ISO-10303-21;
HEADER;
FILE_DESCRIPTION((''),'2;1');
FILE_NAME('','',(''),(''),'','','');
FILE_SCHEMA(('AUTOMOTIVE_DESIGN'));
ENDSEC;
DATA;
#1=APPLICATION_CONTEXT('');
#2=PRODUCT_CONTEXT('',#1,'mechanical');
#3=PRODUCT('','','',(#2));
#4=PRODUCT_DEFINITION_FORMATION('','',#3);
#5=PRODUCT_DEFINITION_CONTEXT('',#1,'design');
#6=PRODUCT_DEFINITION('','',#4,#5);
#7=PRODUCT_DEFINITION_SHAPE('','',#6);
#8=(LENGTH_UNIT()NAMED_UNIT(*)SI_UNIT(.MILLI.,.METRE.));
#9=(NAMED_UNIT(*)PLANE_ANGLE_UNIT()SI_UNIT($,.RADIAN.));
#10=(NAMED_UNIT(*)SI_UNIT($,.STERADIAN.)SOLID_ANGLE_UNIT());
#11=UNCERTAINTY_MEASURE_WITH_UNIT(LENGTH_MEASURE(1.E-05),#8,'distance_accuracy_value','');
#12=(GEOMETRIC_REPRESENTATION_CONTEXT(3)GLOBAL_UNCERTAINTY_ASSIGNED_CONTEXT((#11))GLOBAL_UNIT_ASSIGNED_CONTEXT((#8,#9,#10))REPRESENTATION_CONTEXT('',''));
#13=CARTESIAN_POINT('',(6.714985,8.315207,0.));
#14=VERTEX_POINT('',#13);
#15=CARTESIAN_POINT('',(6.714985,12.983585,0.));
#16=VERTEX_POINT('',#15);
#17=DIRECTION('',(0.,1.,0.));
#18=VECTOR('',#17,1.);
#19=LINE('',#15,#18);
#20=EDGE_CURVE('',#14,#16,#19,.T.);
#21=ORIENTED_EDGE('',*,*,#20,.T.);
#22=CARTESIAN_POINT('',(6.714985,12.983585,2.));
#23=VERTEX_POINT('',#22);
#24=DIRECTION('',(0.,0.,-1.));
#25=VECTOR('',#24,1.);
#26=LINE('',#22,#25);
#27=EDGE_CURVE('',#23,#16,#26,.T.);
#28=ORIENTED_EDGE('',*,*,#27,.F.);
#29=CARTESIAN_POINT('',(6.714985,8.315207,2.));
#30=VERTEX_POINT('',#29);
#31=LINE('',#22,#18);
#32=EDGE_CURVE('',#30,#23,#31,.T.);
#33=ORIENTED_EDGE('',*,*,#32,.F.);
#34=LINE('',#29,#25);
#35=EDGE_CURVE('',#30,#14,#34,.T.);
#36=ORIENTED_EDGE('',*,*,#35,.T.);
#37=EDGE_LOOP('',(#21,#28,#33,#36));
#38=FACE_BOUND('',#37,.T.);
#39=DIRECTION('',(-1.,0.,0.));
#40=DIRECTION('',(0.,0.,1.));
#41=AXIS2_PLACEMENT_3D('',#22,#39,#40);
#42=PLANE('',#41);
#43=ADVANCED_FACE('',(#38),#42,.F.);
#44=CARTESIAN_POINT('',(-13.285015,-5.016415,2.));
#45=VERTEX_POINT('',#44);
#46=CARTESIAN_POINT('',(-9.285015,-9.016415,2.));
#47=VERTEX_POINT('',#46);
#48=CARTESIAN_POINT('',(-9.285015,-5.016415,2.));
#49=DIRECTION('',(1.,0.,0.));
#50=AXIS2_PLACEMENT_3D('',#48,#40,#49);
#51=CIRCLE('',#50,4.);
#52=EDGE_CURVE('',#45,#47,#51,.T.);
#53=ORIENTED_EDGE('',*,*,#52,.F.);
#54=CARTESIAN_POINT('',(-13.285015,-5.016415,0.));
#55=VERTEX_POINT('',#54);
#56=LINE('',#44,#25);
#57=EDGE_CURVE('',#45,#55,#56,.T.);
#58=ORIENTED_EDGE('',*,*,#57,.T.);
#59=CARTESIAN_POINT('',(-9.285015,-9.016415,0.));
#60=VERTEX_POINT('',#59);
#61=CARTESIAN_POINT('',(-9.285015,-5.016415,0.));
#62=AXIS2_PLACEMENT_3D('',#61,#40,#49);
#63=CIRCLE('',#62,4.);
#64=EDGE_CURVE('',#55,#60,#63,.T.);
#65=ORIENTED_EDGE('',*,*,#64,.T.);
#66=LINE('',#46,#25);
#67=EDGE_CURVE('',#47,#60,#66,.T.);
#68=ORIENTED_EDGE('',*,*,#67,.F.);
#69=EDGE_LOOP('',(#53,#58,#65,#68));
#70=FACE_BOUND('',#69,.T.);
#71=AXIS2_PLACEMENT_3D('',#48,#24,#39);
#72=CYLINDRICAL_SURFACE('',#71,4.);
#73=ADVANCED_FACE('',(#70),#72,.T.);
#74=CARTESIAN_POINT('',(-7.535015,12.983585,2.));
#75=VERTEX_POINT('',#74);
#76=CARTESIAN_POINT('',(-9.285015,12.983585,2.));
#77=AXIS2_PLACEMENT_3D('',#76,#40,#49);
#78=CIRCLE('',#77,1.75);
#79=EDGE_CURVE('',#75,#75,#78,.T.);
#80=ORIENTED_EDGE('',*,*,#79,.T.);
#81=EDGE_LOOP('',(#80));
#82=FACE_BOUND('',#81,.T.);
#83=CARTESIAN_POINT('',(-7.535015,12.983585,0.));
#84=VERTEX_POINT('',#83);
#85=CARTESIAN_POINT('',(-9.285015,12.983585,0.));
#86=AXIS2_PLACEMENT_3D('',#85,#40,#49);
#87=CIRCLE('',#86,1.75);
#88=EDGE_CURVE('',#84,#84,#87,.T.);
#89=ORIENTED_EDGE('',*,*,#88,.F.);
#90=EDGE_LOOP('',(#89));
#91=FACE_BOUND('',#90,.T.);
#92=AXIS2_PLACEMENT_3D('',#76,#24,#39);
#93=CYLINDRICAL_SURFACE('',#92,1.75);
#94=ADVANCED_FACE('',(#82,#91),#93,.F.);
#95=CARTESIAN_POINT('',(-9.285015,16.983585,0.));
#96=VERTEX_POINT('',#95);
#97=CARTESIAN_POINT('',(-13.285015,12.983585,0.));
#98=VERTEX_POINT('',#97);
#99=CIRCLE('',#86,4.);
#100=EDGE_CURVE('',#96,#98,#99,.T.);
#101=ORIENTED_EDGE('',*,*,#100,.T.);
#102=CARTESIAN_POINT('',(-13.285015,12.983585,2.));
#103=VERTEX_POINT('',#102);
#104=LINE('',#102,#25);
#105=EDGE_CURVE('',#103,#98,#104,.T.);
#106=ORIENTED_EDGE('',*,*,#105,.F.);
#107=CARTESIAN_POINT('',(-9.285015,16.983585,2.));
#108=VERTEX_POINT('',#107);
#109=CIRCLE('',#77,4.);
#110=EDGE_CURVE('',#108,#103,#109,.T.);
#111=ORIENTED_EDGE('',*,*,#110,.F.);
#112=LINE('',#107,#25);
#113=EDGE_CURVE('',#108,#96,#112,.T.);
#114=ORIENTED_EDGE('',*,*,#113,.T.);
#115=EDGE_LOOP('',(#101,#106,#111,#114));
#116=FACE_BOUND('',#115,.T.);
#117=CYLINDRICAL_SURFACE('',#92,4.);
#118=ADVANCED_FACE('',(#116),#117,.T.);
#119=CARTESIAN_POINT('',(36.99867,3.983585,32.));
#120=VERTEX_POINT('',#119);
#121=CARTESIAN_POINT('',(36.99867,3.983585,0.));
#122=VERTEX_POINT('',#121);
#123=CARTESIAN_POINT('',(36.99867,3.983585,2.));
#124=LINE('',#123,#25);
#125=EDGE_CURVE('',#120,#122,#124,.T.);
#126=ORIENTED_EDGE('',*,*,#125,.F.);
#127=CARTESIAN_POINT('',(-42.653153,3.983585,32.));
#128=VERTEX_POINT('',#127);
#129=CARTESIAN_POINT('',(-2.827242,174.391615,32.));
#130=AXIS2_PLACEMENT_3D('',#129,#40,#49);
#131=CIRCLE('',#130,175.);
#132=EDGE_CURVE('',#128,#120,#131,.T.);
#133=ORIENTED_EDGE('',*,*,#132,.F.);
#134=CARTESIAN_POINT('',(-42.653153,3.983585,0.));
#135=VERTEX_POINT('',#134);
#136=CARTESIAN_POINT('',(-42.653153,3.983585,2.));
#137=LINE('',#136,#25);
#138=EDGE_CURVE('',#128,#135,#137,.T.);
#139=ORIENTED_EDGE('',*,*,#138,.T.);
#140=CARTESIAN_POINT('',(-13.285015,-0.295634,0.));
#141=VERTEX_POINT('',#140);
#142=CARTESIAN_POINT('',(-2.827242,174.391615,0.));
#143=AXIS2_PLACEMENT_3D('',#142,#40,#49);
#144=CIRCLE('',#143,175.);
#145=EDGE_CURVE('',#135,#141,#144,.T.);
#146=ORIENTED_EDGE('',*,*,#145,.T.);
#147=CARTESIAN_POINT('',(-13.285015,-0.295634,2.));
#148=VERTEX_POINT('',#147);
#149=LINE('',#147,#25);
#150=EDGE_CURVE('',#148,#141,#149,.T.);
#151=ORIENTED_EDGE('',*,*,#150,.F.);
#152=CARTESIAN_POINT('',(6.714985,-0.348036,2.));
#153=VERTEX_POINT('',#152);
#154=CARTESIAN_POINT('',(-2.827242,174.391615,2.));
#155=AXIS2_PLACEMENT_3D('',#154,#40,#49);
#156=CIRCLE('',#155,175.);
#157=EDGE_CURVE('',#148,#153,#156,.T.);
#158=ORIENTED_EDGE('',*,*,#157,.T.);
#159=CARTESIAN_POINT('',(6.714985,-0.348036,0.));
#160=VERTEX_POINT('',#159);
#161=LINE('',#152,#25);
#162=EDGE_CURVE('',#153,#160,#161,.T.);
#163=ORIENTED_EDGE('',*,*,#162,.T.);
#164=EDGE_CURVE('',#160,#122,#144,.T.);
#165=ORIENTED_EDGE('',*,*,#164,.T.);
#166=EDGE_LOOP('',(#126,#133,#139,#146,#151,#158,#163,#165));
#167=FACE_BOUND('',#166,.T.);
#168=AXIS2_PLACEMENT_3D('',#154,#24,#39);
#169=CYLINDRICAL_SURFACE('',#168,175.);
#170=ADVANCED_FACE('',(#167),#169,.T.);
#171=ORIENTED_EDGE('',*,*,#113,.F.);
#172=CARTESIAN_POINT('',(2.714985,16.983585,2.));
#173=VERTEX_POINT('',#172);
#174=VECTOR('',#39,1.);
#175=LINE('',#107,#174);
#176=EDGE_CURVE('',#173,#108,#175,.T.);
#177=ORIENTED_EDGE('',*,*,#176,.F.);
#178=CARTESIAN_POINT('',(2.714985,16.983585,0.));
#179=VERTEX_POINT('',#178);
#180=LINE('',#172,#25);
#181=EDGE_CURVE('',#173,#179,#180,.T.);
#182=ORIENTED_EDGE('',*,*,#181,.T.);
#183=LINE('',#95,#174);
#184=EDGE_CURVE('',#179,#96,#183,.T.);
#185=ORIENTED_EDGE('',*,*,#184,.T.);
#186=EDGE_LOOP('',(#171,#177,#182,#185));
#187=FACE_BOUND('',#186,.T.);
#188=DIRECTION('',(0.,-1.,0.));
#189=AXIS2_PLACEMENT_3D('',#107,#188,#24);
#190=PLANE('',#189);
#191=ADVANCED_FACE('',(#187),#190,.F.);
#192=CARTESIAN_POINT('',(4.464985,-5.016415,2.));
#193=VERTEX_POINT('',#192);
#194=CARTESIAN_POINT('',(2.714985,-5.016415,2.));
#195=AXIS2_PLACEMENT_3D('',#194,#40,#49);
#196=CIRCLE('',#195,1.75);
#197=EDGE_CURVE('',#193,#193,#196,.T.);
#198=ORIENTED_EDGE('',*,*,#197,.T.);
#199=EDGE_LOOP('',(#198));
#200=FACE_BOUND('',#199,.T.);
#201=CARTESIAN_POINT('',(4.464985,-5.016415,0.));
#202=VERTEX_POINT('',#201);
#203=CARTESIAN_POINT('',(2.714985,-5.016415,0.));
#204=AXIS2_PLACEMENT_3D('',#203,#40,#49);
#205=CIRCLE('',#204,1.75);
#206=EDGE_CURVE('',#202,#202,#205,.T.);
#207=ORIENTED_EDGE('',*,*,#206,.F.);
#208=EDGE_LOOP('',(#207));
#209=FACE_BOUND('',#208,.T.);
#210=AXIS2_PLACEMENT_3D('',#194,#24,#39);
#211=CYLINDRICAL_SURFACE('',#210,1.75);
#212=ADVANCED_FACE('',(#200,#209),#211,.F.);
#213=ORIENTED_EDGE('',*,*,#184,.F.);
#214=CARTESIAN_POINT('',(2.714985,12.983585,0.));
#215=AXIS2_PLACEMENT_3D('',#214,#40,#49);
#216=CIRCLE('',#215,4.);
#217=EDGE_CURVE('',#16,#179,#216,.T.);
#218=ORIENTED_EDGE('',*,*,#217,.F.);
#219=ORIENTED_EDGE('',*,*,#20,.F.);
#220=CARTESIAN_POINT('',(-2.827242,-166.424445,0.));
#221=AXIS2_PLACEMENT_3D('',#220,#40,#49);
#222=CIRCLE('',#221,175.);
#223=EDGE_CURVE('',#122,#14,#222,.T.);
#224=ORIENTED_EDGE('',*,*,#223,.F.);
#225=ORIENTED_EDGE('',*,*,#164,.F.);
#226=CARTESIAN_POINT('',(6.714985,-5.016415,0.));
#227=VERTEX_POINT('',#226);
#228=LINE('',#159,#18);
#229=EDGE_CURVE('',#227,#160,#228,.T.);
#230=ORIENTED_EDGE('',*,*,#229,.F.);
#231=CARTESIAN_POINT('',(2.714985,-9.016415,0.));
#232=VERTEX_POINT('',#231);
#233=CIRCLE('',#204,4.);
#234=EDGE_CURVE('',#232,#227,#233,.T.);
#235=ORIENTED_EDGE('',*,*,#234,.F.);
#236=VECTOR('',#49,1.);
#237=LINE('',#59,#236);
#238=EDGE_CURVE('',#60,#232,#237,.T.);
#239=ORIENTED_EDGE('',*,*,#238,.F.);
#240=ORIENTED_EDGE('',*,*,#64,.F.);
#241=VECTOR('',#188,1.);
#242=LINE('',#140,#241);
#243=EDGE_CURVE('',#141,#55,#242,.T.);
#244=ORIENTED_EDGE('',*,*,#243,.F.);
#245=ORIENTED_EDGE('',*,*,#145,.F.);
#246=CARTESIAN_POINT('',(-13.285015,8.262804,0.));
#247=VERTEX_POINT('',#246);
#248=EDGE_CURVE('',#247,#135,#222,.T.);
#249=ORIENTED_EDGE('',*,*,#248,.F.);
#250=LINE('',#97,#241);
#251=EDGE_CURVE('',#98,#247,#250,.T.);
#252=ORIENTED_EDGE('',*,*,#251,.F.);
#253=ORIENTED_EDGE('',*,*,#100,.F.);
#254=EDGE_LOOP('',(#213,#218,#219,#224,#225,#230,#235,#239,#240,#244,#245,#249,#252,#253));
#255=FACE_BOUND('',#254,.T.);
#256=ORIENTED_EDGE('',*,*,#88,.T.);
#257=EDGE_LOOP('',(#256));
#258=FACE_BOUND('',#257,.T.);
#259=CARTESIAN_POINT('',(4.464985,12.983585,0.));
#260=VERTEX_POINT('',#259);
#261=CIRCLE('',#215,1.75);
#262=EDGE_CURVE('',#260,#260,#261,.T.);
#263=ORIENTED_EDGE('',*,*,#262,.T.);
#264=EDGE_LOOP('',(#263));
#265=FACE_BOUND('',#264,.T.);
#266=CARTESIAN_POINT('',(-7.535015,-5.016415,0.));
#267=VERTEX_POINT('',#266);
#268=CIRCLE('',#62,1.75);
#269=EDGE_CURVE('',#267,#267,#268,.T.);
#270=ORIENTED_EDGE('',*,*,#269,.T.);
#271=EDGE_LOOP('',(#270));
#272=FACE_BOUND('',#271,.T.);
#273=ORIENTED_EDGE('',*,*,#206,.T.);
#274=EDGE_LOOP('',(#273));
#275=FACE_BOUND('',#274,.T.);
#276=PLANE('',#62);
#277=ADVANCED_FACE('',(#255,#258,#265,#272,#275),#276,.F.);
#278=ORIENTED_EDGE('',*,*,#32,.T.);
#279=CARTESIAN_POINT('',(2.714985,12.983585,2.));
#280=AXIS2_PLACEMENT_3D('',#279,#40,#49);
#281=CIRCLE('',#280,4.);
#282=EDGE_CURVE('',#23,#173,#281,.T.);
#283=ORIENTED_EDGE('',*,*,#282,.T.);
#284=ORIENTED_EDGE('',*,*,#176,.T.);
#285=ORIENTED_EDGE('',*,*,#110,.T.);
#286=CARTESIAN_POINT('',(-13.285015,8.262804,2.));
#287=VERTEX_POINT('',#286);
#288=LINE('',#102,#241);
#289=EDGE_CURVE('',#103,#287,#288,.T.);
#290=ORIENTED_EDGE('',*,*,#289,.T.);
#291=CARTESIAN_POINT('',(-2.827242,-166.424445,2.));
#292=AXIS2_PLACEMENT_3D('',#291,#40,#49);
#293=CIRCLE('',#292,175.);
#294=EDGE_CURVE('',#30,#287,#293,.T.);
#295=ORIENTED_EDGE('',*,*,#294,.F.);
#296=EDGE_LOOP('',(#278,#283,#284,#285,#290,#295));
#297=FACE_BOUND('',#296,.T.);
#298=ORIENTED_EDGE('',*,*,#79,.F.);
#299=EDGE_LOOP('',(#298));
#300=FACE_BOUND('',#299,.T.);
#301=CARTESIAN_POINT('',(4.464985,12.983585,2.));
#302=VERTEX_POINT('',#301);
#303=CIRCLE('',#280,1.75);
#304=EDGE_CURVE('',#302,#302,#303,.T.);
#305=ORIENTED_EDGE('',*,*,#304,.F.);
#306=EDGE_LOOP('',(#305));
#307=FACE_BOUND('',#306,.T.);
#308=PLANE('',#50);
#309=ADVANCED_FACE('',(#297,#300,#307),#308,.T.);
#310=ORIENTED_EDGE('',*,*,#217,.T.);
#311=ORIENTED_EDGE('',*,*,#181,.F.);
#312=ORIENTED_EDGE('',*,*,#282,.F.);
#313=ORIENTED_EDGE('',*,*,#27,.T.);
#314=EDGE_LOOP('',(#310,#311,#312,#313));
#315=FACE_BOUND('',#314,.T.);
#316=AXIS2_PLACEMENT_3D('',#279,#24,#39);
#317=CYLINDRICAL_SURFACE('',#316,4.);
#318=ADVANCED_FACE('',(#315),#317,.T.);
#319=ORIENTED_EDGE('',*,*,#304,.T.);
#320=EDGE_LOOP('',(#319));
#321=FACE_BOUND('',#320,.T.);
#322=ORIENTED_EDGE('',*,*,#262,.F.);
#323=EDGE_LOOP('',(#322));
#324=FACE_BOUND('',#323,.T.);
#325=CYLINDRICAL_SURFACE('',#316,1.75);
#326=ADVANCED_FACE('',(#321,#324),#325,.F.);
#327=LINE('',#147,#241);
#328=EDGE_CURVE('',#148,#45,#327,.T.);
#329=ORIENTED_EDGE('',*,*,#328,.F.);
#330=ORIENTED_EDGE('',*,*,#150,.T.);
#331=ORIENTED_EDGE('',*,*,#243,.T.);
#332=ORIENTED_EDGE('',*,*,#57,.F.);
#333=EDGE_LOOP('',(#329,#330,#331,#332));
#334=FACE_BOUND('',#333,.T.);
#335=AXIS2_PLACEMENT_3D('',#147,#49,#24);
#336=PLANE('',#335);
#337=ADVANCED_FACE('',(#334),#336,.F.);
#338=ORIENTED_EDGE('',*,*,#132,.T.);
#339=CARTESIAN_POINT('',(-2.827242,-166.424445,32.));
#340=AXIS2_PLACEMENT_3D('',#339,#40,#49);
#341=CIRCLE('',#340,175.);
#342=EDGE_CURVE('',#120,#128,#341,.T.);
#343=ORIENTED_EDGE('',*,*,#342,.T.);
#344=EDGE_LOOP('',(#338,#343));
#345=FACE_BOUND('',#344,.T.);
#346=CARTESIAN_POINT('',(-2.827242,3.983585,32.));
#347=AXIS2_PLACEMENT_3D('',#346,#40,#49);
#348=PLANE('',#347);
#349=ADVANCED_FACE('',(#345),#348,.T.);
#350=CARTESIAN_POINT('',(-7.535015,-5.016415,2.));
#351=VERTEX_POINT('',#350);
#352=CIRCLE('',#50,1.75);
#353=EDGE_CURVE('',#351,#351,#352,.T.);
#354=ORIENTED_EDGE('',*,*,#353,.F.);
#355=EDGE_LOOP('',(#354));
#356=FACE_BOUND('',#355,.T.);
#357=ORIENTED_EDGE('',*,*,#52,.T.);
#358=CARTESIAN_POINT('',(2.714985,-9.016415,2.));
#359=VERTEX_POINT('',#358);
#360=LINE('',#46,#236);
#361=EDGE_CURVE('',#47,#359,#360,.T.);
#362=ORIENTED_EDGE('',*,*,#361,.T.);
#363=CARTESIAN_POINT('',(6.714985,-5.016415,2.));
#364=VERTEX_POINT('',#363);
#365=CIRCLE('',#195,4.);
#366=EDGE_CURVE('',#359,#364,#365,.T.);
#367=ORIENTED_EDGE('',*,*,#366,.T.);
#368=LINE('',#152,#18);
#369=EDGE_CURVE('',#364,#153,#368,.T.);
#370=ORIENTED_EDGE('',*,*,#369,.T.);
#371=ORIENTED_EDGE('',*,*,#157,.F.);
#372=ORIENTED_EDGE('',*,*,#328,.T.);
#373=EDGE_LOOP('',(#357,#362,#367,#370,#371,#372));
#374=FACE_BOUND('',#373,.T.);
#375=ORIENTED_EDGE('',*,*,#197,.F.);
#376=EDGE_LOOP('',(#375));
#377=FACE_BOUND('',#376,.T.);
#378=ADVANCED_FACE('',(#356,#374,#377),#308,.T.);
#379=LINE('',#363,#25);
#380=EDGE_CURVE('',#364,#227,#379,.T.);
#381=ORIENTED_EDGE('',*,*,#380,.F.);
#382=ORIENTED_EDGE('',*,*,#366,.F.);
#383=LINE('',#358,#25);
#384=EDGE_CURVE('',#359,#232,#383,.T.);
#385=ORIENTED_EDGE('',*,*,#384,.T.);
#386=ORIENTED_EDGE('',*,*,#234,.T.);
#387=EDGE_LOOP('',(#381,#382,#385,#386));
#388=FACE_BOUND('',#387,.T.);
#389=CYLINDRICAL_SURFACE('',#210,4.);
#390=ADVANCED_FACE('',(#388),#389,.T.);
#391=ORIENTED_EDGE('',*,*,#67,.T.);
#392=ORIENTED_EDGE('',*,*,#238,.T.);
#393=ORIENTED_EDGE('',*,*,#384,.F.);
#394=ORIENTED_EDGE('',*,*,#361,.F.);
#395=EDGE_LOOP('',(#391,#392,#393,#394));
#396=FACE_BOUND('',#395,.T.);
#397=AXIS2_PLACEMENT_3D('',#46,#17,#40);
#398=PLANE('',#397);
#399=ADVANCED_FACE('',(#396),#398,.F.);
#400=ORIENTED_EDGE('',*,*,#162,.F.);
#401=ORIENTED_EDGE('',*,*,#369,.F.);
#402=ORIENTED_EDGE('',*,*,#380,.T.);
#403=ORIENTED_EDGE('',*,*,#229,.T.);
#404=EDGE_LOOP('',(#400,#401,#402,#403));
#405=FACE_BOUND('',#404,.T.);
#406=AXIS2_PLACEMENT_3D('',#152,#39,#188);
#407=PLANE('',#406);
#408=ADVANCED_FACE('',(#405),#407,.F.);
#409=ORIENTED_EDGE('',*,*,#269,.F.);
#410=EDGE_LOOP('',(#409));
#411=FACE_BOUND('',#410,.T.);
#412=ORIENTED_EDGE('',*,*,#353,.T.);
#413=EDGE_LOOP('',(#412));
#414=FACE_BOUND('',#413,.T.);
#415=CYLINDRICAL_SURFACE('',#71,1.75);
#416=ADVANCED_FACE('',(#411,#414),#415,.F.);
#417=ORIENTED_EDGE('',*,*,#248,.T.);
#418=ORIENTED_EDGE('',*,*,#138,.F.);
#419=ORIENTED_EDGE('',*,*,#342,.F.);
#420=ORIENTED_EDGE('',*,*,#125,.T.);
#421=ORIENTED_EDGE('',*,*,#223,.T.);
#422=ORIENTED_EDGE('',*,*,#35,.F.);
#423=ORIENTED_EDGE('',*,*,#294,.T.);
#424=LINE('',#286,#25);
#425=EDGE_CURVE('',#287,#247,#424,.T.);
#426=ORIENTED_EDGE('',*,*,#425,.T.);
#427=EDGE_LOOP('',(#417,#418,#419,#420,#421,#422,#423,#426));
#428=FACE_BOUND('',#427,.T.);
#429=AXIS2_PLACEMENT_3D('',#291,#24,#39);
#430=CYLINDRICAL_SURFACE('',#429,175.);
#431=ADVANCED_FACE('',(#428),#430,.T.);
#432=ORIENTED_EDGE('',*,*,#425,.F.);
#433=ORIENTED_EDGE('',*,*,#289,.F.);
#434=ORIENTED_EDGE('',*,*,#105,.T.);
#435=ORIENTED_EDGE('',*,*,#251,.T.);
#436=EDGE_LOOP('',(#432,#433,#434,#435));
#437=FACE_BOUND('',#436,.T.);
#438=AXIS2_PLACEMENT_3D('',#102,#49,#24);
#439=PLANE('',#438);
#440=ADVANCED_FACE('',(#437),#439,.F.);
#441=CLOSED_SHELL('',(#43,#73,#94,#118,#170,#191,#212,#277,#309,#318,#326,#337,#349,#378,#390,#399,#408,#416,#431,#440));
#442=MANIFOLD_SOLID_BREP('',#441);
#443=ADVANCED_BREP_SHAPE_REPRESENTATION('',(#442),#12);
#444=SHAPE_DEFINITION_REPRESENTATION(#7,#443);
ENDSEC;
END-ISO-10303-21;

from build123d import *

# Parameters (mm, degrees)
ESQUISSE1_R        = 1.75
BOSS_EXTRU_1_DEPTH = 2
BOSS_EXTRU_2_DEPTH = 30


with BuildPart() as part:
    # Esquisse1 → Boss.-Extru.1 (new body)
    with BuildSketch(Plane.XY):
        with BuildLine():
            Line((-13.285014649, -0.29563378), (-13.285014649, -5.016414934))
            ThreePointArc((-13.285014649, -5.016414934), (-12.113441773, -7.844842058), (-9.285014649, -9.016414934))
            Line((-9.285014649, -9.016414934), (2.714985351, -9.016414934))
            ThreePointArc((2.714985351, -9.016414934), (5.543412476, -7.844842058), (6.714985351, -5.016414934))
            Line((6.714985351, -5.016414934), (6.714985351, -0.348036487))
            ThreePointArc((6.714985351, -0.348036487), (21.951660894, 1.154765906), (36.998669859, 3.983585066))
            ThreePointArc((36.998669859, 3.983585066), (21.951660894, 6.812404226), (6.714985351, 8.315206619))
            Line((6.714985351, 8.315206619), (6.714985351, 12.983585066))
            ThreePointArc((6.714985351, 12.983585066), (5.543412476, 15.812012191), (2.714985351, 16.983585066))
            Line((2.714985351, 16.983585066), (-9.285014649, 16.983585066))
            ThreePointArc((-9.285014649, 16.983585066), (-12.113441773, 15.812012191), (-13.285014649, 12.983585066))
            Line((-13.285014649, 12.983585066), (-13.285014649, 8.262803913))
            ThreePointArc((-13.285014649, 8.262803913), (-28.0599618, 6.746885729), (-42.653153387, 3.983585066))
            ThreePointArc((-42.653153387, 3.983585066), (-28.0599618, 1.220284404), (-13.285014649, -0.29563378))
        make_face()
        with Locations((-9.285014649, 12.983585066)):
            Circle(ESQUISSE1_R, mode=Mode.SUBTRACT)
        with Locations((-9.285014649, -5.016414934)):
            Circle(ESQUISSE1_R, mode=Mode.SUBTRACT)
        with Locations((2.714985351, -5.016414934)):
            Circle(ESQUISSE1_R, mode=Mode.SUBTRACT)
        with Locations((2.714985351, 12.983585066)):
            Circle(ESQUISSE1_R, mode=Mode.SUBTRACT)
    extrude(amount=BOSS_EXTRU_1_DEPTH)

    # Esquisse2 → Boss.-Extru.2 (add)
    with BuildSketch(Plane.XY.offset(2)):
        with BuildLine():
            ThreePointArc((36.998669859, 3.983585066), (-2.827241764, 8.575554846), (-42.653153387, 3.983585066))
            ThreePointArc((-42.653153387, 3.983585066), (-2.827241764, -0.608384714), (36.998669859, 3.983585066))
        make_face()
    extrude(amount=BOSS_EXTRU_2_DEPTH)


solid = part.part
